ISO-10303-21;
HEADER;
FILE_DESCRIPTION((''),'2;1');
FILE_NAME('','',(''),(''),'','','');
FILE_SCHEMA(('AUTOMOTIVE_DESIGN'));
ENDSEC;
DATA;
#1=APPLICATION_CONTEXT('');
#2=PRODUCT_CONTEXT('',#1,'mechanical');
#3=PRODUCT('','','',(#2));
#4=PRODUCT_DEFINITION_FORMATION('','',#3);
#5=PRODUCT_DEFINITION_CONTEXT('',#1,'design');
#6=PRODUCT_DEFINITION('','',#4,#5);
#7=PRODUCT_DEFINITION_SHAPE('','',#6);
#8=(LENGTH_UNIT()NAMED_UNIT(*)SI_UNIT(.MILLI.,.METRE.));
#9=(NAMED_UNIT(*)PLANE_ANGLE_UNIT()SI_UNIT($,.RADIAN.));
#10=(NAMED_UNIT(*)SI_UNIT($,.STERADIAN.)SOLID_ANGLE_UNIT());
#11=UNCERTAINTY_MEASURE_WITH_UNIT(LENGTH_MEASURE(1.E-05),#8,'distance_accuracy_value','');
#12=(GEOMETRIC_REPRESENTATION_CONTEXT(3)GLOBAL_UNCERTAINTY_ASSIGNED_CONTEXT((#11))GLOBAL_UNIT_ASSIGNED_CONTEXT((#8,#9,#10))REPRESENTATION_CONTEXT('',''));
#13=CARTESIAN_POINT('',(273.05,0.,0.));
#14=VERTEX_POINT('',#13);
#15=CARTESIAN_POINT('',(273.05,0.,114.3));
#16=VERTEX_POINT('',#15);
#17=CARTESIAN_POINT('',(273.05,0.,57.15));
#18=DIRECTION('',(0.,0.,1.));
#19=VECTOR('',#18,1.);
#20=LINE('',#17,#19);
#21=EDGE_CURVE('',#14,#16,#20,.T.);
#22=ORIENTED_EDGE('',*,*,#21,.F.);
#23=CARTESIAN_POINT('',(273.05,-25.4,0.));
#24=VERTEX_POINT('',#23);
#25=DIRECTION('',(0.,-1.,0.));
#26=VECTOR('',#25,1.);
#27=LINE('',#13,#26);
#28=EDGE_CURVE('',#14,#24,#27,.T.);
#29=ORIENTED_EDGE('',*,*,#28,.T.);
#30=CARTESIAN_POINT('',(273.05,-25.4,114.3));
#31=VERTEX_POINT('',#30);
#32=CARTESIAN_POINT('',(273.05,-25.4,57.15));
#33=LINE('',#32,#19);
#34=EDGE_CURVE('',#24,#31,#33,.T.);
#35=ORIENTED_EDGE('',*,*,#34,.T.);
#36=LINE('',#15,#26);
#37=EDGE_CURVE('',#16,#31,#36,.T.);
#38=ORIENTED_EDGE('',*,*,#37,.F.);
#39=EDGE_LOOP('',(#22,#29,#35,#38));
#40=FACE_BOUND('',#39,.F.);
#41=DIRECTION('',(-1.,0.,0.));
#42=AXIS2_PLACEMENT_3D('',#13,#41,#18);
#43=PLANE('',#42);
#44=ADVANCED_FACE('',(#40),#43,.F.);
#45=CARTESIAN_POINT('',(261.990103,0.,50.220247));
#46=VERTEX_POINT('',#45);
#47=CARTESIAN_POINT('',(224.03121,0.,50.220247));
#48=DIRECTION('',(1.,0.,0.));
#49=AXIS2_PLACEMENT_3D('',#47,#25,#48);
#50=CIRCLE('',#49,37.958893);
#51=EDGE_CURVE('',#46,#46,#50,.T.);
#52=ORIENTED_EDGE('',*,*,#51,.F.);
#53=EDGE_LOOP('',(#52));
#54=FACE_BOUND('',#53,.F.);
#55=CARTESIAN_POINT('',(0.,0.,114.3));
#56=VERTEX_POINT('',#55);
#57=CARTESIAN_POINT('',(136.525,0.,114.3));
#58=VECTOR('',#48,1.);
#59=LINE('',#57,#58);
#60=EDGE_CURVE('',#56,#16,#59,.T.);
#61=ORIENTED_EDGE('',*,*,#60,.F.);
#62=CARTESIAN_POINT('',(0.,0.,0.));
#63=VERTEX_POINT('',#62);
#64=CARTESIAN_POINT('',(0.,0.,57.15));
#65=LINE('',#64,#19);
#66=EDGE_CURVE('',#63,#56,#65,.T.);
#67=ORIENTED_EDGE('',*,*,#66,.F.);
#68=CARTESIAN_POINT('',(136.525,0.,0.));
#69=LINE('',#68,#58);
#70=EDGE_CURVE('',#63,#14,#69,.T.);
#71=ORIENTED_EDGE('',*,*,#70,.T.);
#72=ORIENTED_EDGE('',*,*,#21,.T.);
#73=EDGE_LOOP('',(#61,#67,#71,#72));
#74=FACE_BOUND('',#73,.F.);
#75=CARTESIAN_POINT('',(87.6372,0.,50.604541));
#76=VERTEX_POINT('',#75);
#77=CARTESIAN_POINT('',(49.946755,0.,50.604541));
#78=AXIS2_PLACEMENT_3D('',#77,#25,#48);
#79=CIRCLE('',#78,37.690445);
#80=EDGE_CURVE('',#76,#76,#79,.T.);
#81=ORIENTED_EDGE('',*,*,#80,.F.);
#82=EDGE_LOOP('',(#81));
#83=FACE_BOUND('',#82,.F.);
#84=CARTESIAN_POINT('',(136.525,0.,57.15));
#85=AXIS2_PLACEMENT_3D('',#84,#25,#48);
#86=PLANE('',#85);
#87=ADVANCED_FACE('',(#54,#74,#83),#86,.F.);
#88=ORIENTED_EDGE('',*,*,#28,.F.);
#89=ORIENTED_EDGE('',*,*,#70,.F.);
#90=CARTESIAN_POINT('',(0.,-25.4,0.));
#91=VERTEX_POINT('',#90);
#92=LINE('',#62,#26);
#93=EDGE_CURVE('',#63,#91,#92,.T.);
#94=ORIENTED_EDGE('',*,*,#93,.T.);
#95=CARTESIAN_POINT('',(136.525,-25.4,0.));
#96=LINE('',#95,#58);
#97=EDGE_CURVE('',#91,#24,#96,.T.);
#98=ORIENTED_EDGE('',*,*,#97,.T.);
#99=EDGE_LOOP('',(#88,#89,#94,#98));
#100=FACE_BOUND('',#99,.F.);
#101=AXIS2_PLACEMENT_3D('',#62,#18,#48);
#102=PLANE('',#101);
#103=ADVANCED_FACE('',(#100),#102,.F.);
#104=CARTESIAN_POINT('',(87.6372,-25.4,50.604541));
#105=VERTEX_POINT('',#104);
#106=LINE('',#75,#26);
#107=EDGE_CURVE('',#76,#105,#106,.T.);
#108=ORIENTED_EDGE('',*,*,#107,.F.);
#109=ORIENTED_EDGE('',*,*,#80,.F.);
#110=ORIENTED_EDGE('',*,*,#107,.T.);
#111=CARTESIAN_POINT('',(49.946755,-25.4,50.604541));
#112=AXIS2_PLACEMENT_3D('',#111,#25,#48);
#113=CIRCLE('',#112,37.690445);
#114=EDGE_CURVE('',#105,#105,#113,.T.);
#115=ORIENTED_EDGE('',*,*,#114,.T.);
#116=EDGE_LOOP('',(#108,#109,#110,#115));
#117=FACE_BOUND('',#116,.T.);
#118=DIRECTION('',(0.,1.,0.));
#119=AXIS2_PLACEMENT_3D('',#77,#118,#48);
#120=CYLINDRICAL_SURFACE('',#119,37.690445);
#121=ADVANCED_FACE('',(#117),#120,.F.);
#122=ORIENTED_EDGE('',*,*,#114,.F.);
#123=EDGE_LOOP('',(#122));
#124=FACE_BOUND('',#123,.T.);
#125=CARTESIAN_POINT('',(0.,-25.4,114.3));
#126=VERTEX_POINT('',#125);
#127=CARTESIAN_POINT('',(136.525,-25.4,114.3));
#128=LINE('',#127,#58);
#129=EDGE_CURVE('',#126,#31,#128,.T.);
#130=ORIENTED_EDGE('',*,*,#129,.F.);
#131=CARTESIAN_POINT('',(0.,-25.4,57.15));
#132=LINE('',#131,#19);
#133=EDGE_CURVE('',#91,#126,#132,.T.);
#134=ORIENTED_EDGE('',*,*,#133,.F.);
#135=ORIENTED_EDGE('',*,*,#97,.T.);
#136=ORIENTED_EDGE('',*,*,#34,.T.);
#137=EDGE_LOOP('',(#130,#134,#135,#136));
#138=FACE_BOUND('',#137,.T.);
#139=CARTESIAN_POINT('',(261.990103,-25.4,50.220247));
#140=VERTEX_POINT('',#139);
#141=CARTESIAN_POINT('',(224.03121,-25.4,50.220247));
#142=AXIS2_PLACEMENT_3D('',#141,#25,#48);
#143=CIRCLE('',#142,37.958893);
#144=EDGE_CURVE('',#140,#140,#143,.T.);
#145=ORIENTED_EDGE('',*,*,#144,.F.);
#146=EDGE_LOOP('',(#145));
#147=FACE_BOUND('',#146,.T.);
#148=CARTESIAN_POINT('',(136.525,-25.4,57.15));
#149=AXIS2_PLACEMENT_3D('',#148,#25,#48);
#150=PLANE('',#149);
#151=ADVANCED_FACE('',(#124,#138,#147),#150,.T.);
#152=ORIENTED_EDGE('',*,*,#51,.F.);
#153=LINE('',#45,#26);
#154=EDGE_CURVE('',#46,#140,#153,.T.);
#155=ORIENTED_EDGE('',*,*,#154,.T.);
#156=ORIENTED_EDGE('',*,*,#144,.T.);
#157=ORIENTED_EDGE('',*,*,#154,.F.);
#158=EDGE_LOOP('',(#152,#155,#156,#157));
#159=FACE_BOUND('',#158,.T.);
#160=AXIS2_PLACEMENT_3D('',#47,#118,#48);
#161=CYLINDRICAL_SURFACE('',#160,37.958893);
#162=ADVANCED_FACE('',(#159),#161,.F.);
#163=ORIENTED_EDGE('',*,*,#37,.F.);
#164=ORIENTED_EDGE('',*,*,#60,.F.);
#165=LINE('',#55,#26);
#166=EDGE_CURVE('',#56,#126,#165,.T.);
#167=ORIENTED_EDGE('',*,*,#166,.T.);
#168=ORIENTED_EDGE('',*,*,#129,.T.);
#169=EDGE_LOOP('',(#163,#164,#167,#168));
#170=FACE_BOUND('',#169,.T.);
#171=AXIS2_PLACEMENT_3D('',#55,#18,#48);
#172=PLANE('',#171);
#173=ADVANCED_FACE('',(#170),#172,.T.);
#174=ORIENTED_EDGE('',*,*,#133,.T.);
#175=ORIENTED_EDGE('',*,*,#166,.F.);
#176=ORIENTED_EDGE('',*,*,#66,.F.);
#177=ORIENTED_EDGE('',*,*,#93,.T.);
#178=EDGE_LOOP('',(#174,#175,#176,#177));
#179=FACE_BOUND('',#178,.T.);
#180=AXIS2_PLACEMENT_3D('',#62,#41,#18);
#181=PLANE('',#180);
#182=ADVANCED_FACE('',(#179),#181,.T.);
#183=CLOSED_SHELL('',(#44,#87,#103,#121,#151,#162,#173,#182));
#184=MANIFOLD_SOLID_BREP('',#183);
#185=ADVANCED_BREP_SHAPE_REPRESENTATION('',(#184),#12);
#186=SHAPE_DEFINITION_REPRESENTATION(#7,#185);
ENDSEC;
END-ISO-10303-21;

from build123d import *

# Parameters (mm, degrees)
F0_W     = 273.05
F0_H     = 114.3
F2_DEPTH = 25.4
F1_R     = 37.690445
F1_R_2   = 37.958893
F4_DEPTH = 25.4
F5_DEPTH = 25.4
F6_DEPTH = 25.4
F7_DEPTH = 25.4


with BuildPart() as f2:
    # F0 (on Front) → F2 (new body)
    with BuildSketch(Plane.XZ):
        with Locations((136.525, 57.15)):
            Rectangle(F0_W, F0_H)
    extrude(amount=F2_DEPTH)

    # F1 (on face) → F4 (cut)
    with BuildSketch(Plane.XZ):
        with Locations((49.946755, 50.604541)):
            Circle(F1_R)
        with Locations((224.03121, 50.220247)):
            Circle(F1_R_2)
    extrude(amount=-F4_DEPTH, mode=Mode.SUBTRACT)

    # F1 (on face) → F5 (cut)
    with BuildSketch(Plane.XZ):
        with Locations((49.946755, 50.604541)):
            Circle(F1_R)
        with Locations((224.03121, 50.220247)):
            Circle(F1_R_2)
    extrude(amount=-F5_DEPTH, mode=Mode.SUBTRACT)

    # F1 (on face) → F6 (cut)
    with BuildSketch(Plane.XZ):
        with Locations((49.946755, 50.604541)):
            Circle(F1_R)
        with Locations((224.03121, 50.220247)):
            Circle(F1_R_2)
    extrude(amount=-F6_DEPTH, mode=Mode.SUBTRACT)

    # F1 (on face) → F7 (cut)
    with BuildSketch(Plane.XZ):
        with Locations((49.946755, 50.604541)):
            Circle(F1_R)
        with Locations((224.03121, 50.220247)):
            Circle(F1_R_2)
    extrude(amount=F7_DEPTH, mode=Mode.SUBTRACT)


solid = f2.part
